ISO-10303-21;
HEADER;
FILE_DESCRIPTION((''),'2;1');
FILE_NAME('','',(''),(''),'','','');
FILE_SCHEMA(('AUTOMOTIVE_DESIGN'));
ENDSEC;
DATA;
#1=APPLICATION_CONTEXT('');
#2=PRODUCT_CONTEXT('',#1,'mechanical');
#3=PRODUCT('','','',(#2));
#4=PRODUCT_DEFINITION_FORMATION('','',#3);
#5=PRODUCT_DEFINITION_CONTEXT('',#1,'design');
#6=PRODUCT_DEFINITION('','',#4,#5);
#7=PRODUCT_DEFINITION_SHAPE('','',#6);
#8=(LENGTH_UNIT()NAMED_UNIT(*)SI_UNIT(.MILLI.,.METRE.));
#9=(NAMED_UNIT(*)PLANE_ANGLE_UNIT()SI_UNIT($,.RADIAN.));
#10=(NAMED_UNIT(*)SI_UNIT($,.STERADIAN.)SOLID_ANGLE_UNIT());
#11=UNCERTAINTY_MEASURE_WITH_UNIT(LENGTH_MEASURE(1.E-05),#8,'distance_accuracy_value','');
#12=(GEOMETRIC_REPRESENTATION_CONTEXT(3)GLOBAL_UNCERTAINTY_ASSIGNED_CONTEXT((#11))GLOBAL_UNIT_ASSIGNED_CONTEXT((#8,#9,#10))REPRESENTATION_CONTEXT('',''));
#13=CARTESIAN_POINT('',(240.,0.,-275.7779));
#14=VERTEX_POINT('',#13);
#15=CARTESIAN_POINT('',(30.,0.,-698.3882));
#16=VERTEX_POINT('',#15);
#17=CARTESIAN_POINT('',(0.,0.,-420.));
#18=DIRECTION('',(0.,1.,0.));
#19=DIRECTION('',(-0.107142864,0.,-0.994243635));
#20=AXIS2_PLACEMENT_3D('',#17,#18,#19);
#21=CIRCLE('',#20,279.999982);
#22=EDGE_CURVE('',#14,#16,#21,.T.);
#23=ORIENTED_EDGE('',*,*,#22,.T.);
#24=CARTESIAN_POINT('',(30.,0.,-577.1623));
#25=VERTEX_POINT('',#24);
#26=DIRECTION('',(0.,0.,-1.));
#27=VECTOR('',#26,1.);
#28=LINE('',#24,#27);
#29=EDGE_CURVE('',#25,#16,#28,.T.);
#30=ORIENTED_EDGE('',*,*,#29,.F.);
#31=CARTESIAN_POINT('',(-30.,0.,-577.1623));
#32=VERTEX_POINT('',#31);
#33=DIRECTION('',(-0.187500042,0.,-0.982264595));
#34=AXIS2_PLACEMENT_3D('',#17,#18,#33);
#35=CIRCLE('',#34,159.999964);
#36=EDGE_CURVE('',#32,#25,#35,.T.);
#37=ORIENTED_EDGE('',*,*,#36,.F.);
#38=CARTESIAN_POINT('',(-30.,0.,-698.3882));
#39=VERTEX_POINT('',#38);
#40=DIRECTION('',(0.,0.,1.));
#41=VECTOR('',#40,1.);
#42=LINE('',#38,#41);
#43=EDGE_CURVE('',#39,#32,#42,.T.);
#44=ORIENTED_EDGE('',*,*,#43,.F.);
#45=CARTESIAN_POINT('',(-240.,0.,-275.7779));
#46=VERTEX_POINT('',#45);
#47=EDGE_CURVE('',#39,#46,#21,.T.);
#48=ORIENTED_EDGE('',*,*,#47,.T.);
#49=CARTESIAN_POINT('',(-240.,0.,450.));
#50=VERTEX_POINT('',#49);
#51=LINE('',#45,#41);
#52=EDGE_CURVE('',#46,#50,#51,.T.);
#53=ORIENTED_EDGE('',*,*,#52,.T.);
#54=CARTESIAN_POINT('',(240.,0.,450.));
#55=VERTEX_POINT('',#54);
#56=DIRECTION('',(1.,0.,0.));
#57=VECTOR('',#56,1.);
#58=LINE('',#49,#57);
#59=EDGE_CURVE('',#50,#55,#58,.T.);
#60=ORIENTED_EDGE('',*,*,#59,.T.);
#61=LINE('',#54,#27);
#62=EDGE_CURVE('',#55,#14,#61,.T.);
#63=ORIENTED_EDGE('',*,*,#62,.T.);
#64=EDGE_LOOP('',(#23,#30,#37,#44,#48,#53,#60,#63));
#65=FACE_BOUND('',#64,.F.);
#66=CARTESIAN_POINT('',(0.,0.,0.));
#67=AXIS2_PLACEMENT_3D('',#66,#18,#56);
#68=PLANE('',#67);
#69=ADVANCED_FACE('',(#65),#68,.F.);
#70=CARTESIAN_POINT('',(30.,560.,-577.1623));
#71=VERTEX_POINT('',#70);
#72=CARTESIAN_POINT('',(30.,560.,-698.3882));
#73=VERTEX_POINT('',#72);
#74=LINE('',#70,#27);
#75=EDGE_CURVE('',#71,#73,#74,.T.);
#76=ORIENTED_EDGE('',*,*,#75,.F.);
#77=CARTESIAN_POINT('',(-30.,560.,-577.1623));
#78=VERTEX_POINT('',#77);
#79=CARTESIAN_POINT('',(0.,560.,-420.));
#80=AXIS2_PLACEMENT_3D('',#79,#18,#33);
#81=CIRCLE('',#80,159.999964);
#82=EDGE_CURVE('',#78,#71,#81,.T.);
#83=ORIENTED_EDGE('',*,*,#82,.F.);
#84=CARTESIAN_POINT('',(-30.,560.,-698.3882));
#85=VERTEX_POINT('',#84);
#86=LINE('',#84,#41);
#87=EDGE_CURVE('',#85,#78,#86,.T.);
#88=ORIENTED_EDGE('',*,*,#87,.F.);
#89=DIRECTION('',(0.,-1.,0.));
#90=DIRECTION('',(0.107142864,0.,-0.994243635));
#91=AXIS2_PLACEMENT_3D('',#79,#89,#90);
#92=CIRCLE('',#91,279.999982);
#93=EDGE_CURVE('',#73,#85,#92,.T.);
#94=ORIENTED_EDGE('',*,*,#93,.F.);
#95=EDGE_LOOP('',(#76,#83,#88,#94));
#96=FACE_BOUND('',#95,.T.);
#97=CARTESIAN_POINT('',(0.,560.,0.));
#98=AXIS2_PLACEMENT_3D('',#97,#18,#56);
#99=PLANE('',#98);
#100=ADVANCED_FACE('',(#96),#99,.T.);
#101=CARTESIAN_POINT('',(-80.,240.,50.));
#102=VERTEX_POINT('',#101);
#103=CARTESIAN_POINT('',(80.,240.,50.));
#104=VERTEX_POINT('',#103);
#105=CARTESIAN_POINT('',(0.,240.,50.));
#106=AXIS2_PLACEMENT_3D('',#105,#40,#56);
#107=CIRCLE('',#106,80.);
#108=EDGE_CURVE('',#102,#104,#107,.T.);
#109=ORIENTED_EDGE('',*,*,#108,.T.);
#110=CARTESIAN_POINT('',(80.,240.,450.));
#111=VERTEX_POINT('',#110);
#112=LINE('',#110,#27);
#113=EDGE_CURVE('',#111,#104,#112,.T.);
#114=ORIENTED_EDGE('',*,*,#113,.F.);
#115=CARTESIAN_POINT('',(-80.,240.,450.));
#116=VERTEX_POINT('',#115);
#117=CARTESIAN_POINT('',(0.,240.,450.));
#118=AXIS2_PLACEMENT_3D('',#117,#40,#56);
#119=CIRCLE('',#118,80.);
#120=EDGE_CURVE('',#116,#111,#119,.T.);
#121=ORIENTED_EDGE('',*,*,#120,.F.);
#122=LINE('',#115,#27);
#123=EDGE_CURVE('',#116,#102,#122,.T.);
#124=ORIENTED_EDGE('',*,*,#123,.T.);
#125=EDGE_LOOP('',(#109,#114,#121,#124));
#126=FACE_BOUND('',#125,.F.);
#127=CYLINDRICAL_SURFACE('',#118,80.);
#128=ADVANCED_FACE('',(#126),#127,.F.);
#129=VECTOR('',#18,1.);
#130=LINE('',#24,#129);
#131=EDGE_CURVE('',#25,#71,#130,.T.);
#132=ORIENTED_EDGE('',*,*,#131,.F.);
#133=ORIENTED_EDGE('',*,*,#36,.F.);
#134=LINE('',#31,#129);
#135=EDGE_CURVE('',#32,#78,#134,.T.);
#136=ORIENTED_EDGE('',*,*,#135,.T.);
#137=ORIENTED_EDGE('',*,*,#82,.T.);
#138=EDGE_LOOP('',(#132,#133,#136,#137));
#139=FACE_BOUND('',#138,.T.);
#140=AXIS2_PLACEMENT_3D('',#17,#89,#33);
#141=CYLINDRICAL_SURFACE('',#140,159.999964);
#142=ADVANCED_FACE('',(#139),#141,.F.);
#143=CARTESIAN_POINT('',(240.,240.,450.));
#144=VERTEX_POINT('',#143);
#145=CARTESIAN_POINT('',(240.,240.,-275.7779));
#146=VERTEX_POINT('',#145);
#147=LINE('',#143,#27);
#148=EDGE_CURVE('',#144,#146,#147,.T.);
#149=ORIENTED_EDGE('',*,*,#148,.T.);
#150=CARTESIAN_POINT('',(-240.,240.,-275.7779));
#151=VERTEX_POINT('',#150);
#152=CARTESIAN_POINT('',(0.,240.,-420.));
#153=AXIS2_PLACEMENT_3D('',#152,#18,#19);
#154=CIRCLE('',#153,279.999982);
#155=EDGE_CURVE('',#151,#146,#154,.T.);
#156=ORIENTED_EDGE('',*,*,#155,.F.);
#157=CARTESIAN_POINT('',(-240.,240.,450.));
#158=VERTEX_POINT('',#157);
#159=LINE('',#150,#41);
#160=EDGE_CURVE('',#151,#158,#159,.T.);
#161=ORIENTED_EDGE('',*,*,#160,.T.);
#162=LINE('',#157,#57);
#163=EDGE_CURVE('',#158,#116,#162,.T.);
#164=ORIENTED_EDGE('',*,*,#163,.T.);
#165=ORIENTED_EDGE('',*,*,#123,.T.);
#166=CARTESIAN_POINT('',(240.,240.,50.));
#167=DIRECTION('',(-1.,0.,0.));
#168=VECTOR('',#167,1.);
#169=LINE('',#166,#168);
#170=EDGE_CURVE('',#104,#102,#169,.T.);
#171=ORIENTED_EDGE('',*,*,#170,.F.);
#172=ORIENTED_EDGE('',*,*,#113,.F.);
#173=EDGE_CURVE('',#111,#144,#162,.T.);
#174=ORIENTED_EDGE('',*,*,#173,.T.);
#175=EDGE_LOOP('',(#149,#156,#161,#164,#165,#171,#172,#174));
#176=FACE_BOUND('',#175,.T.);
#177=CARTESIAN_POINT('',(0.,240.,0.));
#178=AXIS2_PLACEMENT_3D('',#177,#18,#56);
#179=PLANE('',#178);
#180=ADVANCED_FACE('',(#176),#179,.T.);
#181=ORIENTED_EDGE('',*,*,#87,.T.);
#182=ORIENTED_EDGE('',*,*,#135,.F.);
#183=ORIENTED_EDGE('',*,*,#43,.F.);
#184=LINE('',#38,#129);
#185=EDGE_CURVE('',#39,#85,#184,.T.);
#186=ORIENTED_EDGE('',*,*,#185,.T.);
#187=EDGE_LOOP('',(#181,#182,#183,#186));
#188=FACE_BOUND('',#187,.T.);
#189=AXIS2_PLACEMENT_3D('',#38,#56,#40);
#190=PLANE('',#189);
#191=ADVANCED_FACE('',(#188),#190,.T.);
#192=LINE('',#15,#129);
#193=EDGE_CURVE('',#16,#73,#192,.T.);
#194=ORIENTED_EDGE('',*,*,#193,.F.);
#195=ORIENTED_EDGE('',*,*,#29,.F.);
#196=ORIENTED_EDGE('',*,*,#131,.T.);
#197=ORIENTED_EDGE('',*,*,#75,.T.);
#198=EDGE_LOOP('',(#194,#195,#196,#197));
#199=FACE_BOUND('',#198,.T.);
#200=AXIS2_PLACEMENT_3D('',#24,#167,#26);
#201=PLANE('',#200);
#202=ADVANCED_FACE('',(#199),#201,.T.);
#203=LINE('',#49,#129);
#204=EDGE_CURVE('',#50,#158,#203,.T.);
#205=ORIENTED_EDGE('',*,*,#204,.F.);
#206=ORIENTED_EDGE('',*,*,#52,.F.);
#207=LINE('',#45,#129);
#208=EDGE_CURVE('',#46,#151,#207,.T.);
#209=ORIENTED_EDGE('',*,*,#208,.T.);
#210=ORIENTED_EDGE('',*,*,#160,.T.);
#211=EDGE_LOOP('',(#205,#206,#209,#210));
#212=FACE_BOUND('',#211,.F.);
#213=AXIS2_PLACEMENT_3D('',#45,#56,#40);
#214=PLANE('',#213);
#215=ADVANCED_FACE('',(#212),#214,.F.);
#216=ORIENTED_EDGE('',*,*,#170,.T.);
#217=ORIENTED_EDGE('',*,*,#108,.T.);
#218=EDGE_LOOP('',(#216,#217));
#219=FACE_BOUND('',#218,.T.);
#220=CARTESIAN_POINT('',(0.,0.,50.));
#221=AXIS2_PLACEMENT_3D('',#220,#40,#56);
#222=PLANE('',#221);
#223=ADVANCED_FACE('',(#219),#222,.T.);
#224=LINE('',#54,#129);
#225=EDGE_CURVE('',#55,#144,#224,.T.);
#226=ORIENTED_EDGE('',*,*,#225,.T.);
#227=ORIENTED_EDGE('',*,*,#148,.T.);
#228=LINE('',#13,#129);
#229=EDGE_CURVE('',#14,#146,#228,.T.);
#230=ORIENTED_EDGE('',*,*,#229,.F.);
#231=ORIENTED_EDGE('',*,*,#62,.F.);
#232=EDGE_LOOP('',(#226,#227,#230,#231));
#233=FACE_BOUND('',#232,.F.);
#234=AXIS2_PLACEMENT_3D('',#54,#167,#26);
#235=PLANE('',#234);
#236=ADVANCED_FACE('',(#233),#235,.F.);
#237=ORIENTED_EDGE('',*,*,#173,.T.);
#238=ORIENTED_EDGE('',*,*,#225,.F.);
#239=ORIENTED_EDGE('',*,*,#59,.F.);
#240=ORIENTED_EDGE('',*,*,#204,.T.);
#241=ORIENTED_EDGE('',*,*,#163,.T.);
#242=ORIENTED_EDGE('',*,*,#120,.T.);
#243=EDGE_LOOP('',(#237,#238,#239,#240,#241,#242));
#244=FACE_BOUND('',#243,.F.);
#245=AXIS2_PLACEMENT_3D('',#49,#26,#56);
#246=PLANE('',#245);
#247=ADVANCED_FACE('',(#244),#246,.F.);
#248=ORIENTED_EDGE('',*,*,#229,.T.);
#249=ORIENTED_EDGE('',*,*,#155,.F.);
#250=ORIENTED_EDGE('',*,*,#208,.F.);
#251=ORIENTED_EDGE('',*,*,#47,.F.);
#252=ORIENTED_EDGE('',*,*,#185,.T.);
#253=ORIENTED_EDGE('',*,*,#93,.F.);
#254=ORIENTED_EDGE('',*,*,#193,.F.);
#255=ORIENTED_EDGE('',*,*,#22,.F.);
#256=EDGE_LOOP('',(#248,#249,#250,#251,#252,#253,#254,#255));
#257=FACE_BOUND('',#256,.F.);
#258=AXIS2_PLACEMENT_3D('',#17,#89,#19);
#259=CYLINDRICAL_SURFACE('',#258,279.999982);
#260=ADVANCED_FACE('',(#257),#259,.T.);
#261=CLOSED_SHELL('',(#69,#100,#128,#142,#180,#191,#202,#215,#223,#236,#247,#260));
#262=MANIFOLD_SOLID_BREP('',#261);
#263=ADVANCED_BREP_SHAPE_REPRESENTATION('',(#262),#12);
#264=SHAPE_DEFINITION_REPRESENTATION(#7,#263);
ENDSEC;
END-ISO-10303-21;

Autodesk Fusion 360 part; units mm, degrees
sketch "Sketch1" plane through (0, 0, 0) normal (0, 1, 0) x (1, 0, 0)
  line L0 (-240, 275.7779) -> (-240, -450)
  line L1 (-240, -450) -> (240, -450)
  line L2 (240, -450) -> (240, 275.7779)
  line L3 (240, 450) -> (-240, -450) construction
  line L4 (-240, 450) -> (240, -450) construction
  line L5 (30, 577.1623) -> (30, 698.3882)
  line L6 (-30, 698.3882) -> (-30, 577.1623)
  arc A0 (-30, 698.3882) -> (30, 698.3882) centre (0, 420) ccw
  arc A1 (-30, 577.1623) -> (30, 577.1623) centre (0, 420) ccw
  dimension "d1" = 480
  dimension "d2" = 900
  dimension "d3" = 560
  dimension "d4" = 420
  dimension "d5" = 320
extrude "Extrude1" add sketch "Sketch1" along normal blind 560 contours L5 L6 A0 A1 makes body 1
extrude "Extrude2" add sketch "Sketch1" along normal blind 240 separate body contours L0 L1 L2 A0 makes body 2
sketch "Sketch2" plane through (0, 0, 450) normal (0, 0, 1) x (1, 0, 0)
  line L0 (-240, 0) -> (240, 0)
  line L1 (240, 0) -> (240, 240)
  line L2 (240, 240) -> (-240, 240)
  line L3 (-240, 240) -> (-240, 0)
  circle A0 centre (0, 240) radius 80
  dimension "d12" = 160
extrude "Extrude3" cut sketch "Sketch2" against normal blind 400 contours L2 A0 picked at (-9.7424, 215.1767) bodies 2
combine "Combine1" operation add target body 1 tool bodies 2
